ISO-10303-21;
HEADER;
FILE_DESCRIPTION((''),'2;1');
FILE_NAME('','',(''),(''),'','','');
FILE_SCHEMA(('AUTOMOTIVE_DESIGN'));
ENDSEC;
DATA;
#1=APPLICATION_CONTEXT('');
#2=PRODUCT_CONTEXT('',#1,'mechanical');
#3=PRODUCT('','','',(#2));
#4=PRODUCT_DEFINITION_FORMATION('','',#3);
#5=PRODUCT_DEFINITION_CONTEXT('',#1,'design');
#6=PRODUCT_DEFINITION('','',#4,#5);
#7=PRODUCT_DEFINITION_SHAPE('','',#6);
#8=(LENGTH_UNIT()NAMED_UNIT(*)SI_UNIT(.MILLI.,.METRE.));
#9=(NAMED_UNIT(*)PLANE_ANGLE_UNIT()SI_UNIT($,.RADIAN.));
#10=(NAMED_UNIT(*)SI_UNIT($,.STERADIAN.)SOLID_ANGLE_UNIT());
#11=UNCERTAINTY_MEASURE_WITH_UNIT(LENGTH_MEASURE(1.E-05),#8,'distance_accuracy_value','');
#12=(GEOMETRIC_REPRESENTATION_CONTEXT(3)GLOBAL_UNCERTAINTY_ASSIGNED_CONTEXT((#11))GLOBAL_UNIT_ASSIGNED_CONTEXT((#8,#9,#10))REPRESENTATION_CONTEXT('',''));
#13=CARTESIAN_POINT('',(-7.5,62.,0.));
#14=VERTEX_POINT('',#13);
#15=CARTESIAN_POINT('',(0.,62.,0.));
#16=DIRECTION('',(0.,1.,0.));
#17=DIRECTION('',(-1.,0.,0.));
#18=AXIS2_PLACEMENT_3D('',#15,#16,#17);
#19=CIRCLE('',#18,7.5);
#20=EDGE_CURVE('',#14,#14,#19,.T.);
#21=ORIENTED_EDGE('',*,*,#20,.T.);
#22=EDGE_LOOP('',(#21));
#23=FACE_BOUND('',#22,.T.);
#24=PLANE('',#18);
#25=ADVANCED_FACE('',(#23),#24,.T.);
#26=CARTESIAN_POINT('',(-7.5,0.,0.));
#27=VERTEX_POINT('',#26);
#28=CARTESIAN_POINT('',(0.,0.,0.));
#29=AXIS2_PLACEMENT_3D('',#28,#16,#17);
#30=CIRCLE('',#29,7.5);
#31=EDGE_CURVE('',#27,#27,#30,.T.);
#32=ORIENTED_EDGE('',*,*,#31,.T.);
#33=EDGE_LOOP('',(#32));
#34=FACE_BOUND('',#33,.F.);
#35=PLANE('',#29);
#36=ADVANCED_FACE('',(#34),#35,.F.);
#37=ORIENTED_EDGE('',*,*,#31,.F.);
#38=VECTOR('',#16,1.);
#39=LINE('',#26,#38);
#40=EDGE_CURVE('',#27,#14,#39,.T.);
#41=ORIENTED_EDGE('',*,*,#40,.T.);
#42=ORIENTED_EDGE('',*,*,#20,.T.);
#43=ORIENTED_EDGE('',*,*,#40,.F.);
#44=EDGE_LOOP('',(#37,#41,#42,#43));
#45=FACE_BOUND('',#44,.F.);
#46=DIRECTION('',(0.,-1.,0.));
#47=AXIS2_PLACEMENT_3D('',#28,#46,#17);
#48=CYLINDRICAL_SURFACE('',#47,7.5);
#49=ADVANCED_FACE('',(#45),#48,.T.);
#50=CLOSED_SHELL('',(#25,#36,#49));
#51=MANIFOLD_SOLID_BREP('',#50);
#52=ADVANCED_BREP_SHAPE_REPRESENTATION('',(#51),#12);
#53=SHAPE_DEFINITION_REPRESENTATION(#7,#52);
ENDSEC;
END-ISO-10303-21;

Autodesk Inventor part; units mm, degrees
ref_plane "YZ Plane" through (0, 0, 0) normal (1, 0, 0) x (0, 1, 0)
ref_plane "XZ Plane" through (0, 0, 0) normal (0, 1, 0) x (-1, 0, 0)
ref_plane "XY Plane" through (0, 0, 0) normal (0, 0, 1) x (1, 0, 0)
sketch "Sketch1" plane through (0, 0, 0) normal (0, 1, 0) x (-1, 0, 0)
  circle A0 centre (0, 0) radius 7.5
  arc A1 (5, 5.5902) -> (-5, 5.5902) centre (0, 0) ccw construction
extrude "Extrusion1" add sketch "Sketch1" along normal blind 62
properties part number "ForearmActuatorBodyBoundingBox"
